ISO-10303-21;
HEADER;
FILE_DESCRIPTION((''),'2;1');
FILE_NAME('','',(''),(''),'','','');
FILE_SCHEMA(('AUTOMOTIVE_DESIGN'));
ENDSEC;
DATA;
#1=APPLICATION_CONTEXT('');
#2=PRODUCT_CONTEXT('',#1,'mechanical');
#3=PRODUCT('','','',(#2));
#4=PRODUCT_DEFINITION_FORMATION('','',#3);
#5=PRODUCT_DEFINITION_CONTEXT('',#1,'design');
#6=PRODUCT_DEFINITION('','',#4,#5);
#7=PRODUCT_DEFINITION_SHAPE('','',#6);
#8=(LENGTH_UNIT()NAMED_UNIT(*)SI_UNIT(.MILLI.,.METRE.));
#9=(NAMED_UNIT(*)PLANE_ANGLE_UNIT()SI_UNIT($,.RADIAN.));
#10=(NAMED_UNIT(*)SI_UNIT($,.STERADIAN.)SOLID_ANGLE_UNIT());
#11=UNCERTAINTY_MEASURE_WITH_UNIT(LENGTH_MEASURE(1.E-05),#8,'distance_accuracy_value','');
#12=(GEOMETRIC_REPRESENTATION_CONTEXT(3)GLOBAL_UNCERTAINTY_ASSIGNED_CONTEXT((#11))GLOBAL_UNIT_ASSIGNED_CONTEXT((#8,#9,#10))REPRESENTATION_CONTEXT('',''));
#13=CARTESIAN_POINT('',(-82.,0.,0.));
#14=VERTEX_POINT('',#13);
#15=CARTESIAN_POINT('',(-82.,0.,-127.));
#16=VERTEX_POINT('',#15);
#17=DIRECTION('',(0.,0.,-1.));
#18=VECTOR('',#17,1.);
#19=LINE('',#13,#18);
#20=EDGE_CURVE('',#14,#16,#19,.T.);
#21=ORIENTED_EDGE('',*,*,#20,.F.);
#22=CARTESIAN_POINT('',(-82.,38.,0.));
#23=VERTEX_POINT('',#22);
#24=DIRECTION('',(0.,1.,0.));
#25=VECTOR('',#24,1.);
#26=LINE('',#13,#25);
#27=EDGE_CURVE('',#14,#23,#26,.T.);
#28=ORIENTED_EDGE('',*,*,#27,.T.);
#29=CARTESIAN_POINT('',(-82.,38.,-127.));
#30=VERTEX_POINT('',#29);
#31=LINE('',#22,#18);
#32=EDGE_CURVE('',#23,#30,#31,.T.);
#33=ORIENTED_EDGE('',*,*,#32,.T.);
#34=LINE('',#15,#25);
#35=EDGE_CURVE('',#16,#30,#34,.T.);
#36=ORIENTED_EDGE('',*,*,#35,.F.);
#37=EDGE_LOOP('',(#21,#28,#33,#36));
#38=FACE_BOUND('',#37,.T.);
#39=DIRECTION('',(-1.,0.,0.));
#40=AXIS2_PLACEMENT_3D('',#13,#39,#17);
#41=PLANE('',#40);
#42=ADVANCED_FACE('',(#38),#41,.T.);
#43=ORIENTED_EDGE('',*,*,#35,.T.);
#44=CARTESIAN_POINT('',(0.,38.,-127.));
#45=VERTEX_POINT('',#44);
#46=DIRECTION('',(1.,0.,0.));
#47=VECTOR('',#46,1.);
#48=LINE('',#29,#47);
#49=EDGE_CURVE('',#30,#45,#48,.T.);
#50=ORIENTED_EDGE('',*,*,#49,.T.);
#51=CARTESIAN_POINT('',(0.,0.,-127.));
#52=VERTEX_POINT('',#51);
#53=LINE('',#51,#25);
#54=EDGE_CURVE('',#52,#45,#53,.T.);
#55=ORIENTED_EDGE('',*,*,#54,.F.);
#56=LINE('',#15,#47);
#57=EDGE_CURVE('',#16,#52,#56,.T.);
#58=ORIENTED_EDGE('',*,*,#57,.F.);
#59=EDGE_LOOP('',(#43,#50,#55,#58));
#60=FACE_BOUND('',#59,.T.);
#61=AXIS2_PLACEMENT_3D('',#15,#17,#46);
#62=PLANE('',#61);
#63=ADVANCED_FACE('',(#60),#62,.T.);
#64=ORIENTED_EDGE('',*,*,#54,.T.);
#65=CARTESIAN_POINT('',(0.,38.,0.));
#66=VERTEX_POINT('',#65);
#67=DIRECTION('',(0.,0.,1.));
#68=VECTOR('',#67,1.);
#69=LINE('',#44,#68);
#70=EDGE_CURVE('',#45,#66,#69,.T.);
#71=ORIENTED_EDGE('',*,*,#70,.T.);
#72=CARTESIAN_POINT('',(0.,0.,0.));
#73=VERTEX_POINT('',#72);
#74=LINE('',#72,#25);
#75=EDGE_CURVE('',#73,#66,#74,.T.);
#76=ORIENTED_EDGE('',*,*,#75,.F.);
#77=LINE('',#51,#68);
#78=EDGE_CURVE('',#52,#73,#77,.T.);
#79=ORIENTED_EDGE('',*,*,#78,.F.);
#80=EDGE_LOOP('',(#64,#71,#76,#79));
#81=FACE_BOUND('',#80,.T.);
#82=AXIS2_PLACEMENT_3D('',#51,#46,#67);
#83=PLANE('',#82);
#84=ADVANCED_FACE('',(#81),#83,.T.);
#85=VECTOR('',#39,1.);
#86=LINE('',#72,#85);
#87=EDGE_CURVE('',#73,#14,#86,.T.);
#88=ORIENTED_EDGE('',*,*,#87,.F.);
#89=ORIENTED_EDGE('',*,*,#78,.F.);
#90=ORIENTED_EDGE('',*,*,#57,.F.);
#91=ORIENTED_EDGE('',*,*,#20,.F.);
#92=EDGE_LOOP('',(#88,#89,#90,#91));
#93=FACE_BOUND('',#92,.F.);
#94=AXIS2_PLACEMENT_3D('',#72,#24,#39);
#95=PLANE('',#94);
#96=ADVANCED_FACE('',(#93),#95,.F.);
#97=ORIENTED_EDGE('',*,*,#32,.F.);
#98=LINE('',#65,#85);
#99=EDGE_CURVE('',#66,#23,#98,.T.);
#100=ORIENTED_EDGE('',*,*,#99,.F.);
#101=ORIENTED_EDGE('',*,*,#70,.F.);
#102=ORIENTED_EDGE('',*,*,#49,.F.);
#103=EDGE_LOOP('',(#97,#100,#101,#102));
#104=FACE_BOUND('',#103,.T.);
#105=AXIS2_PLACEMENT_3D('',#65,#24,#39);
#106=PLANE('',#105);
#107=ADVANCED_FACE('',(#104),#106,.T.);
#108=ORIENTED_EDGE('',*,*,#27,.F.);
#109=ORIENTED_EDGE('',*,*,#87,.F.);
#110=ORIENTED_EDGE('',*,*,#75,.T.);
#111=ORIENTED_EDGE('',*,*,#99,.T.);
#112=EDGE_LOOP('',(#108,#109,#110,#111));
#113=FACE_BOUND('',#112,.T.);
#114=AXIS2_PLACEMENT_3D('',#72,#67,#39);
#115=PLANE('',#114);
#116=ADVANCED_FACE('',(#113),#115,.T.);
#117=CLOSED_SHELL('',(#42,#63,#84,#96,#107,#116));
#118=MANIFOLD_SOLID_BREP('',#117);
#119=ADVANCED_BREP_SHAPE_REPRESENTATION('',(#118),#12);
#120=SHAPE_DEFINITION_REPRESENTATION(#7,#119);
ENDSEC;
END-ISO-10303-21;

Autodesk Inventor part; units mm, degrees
ref_plane "YZ Plane" through (0, 0, 0) normal (1, 0, 0) x (0, 1, 0)
ref_plane "XZ Plane" through (0, 0, 0) normal (0, 1, 0) x (-1, 0, 0)
ref_plane "XY Plane" through (0, 0, 0) normal (0, 0, 1) x (1, 0, 0)
sketch "Эскиз1" plane through (0, 0, 0) normal (0, 1, 0) x (-1, 0, 0)
  line L0 (0, 0) -> (82, 0)
  line L1 (82, 0) -> (82, -127)
  line L2 (82, -127) -> (0, -127)
  line L3 (0, -127) -> (0, 0)
  dimension "d0" = 82
  dimension "d1" = 127
extrude "Выдавливание1" add sketch "Эскиз1" along normal blind 38
properties part number "PowerSupply" material "Сталь"
